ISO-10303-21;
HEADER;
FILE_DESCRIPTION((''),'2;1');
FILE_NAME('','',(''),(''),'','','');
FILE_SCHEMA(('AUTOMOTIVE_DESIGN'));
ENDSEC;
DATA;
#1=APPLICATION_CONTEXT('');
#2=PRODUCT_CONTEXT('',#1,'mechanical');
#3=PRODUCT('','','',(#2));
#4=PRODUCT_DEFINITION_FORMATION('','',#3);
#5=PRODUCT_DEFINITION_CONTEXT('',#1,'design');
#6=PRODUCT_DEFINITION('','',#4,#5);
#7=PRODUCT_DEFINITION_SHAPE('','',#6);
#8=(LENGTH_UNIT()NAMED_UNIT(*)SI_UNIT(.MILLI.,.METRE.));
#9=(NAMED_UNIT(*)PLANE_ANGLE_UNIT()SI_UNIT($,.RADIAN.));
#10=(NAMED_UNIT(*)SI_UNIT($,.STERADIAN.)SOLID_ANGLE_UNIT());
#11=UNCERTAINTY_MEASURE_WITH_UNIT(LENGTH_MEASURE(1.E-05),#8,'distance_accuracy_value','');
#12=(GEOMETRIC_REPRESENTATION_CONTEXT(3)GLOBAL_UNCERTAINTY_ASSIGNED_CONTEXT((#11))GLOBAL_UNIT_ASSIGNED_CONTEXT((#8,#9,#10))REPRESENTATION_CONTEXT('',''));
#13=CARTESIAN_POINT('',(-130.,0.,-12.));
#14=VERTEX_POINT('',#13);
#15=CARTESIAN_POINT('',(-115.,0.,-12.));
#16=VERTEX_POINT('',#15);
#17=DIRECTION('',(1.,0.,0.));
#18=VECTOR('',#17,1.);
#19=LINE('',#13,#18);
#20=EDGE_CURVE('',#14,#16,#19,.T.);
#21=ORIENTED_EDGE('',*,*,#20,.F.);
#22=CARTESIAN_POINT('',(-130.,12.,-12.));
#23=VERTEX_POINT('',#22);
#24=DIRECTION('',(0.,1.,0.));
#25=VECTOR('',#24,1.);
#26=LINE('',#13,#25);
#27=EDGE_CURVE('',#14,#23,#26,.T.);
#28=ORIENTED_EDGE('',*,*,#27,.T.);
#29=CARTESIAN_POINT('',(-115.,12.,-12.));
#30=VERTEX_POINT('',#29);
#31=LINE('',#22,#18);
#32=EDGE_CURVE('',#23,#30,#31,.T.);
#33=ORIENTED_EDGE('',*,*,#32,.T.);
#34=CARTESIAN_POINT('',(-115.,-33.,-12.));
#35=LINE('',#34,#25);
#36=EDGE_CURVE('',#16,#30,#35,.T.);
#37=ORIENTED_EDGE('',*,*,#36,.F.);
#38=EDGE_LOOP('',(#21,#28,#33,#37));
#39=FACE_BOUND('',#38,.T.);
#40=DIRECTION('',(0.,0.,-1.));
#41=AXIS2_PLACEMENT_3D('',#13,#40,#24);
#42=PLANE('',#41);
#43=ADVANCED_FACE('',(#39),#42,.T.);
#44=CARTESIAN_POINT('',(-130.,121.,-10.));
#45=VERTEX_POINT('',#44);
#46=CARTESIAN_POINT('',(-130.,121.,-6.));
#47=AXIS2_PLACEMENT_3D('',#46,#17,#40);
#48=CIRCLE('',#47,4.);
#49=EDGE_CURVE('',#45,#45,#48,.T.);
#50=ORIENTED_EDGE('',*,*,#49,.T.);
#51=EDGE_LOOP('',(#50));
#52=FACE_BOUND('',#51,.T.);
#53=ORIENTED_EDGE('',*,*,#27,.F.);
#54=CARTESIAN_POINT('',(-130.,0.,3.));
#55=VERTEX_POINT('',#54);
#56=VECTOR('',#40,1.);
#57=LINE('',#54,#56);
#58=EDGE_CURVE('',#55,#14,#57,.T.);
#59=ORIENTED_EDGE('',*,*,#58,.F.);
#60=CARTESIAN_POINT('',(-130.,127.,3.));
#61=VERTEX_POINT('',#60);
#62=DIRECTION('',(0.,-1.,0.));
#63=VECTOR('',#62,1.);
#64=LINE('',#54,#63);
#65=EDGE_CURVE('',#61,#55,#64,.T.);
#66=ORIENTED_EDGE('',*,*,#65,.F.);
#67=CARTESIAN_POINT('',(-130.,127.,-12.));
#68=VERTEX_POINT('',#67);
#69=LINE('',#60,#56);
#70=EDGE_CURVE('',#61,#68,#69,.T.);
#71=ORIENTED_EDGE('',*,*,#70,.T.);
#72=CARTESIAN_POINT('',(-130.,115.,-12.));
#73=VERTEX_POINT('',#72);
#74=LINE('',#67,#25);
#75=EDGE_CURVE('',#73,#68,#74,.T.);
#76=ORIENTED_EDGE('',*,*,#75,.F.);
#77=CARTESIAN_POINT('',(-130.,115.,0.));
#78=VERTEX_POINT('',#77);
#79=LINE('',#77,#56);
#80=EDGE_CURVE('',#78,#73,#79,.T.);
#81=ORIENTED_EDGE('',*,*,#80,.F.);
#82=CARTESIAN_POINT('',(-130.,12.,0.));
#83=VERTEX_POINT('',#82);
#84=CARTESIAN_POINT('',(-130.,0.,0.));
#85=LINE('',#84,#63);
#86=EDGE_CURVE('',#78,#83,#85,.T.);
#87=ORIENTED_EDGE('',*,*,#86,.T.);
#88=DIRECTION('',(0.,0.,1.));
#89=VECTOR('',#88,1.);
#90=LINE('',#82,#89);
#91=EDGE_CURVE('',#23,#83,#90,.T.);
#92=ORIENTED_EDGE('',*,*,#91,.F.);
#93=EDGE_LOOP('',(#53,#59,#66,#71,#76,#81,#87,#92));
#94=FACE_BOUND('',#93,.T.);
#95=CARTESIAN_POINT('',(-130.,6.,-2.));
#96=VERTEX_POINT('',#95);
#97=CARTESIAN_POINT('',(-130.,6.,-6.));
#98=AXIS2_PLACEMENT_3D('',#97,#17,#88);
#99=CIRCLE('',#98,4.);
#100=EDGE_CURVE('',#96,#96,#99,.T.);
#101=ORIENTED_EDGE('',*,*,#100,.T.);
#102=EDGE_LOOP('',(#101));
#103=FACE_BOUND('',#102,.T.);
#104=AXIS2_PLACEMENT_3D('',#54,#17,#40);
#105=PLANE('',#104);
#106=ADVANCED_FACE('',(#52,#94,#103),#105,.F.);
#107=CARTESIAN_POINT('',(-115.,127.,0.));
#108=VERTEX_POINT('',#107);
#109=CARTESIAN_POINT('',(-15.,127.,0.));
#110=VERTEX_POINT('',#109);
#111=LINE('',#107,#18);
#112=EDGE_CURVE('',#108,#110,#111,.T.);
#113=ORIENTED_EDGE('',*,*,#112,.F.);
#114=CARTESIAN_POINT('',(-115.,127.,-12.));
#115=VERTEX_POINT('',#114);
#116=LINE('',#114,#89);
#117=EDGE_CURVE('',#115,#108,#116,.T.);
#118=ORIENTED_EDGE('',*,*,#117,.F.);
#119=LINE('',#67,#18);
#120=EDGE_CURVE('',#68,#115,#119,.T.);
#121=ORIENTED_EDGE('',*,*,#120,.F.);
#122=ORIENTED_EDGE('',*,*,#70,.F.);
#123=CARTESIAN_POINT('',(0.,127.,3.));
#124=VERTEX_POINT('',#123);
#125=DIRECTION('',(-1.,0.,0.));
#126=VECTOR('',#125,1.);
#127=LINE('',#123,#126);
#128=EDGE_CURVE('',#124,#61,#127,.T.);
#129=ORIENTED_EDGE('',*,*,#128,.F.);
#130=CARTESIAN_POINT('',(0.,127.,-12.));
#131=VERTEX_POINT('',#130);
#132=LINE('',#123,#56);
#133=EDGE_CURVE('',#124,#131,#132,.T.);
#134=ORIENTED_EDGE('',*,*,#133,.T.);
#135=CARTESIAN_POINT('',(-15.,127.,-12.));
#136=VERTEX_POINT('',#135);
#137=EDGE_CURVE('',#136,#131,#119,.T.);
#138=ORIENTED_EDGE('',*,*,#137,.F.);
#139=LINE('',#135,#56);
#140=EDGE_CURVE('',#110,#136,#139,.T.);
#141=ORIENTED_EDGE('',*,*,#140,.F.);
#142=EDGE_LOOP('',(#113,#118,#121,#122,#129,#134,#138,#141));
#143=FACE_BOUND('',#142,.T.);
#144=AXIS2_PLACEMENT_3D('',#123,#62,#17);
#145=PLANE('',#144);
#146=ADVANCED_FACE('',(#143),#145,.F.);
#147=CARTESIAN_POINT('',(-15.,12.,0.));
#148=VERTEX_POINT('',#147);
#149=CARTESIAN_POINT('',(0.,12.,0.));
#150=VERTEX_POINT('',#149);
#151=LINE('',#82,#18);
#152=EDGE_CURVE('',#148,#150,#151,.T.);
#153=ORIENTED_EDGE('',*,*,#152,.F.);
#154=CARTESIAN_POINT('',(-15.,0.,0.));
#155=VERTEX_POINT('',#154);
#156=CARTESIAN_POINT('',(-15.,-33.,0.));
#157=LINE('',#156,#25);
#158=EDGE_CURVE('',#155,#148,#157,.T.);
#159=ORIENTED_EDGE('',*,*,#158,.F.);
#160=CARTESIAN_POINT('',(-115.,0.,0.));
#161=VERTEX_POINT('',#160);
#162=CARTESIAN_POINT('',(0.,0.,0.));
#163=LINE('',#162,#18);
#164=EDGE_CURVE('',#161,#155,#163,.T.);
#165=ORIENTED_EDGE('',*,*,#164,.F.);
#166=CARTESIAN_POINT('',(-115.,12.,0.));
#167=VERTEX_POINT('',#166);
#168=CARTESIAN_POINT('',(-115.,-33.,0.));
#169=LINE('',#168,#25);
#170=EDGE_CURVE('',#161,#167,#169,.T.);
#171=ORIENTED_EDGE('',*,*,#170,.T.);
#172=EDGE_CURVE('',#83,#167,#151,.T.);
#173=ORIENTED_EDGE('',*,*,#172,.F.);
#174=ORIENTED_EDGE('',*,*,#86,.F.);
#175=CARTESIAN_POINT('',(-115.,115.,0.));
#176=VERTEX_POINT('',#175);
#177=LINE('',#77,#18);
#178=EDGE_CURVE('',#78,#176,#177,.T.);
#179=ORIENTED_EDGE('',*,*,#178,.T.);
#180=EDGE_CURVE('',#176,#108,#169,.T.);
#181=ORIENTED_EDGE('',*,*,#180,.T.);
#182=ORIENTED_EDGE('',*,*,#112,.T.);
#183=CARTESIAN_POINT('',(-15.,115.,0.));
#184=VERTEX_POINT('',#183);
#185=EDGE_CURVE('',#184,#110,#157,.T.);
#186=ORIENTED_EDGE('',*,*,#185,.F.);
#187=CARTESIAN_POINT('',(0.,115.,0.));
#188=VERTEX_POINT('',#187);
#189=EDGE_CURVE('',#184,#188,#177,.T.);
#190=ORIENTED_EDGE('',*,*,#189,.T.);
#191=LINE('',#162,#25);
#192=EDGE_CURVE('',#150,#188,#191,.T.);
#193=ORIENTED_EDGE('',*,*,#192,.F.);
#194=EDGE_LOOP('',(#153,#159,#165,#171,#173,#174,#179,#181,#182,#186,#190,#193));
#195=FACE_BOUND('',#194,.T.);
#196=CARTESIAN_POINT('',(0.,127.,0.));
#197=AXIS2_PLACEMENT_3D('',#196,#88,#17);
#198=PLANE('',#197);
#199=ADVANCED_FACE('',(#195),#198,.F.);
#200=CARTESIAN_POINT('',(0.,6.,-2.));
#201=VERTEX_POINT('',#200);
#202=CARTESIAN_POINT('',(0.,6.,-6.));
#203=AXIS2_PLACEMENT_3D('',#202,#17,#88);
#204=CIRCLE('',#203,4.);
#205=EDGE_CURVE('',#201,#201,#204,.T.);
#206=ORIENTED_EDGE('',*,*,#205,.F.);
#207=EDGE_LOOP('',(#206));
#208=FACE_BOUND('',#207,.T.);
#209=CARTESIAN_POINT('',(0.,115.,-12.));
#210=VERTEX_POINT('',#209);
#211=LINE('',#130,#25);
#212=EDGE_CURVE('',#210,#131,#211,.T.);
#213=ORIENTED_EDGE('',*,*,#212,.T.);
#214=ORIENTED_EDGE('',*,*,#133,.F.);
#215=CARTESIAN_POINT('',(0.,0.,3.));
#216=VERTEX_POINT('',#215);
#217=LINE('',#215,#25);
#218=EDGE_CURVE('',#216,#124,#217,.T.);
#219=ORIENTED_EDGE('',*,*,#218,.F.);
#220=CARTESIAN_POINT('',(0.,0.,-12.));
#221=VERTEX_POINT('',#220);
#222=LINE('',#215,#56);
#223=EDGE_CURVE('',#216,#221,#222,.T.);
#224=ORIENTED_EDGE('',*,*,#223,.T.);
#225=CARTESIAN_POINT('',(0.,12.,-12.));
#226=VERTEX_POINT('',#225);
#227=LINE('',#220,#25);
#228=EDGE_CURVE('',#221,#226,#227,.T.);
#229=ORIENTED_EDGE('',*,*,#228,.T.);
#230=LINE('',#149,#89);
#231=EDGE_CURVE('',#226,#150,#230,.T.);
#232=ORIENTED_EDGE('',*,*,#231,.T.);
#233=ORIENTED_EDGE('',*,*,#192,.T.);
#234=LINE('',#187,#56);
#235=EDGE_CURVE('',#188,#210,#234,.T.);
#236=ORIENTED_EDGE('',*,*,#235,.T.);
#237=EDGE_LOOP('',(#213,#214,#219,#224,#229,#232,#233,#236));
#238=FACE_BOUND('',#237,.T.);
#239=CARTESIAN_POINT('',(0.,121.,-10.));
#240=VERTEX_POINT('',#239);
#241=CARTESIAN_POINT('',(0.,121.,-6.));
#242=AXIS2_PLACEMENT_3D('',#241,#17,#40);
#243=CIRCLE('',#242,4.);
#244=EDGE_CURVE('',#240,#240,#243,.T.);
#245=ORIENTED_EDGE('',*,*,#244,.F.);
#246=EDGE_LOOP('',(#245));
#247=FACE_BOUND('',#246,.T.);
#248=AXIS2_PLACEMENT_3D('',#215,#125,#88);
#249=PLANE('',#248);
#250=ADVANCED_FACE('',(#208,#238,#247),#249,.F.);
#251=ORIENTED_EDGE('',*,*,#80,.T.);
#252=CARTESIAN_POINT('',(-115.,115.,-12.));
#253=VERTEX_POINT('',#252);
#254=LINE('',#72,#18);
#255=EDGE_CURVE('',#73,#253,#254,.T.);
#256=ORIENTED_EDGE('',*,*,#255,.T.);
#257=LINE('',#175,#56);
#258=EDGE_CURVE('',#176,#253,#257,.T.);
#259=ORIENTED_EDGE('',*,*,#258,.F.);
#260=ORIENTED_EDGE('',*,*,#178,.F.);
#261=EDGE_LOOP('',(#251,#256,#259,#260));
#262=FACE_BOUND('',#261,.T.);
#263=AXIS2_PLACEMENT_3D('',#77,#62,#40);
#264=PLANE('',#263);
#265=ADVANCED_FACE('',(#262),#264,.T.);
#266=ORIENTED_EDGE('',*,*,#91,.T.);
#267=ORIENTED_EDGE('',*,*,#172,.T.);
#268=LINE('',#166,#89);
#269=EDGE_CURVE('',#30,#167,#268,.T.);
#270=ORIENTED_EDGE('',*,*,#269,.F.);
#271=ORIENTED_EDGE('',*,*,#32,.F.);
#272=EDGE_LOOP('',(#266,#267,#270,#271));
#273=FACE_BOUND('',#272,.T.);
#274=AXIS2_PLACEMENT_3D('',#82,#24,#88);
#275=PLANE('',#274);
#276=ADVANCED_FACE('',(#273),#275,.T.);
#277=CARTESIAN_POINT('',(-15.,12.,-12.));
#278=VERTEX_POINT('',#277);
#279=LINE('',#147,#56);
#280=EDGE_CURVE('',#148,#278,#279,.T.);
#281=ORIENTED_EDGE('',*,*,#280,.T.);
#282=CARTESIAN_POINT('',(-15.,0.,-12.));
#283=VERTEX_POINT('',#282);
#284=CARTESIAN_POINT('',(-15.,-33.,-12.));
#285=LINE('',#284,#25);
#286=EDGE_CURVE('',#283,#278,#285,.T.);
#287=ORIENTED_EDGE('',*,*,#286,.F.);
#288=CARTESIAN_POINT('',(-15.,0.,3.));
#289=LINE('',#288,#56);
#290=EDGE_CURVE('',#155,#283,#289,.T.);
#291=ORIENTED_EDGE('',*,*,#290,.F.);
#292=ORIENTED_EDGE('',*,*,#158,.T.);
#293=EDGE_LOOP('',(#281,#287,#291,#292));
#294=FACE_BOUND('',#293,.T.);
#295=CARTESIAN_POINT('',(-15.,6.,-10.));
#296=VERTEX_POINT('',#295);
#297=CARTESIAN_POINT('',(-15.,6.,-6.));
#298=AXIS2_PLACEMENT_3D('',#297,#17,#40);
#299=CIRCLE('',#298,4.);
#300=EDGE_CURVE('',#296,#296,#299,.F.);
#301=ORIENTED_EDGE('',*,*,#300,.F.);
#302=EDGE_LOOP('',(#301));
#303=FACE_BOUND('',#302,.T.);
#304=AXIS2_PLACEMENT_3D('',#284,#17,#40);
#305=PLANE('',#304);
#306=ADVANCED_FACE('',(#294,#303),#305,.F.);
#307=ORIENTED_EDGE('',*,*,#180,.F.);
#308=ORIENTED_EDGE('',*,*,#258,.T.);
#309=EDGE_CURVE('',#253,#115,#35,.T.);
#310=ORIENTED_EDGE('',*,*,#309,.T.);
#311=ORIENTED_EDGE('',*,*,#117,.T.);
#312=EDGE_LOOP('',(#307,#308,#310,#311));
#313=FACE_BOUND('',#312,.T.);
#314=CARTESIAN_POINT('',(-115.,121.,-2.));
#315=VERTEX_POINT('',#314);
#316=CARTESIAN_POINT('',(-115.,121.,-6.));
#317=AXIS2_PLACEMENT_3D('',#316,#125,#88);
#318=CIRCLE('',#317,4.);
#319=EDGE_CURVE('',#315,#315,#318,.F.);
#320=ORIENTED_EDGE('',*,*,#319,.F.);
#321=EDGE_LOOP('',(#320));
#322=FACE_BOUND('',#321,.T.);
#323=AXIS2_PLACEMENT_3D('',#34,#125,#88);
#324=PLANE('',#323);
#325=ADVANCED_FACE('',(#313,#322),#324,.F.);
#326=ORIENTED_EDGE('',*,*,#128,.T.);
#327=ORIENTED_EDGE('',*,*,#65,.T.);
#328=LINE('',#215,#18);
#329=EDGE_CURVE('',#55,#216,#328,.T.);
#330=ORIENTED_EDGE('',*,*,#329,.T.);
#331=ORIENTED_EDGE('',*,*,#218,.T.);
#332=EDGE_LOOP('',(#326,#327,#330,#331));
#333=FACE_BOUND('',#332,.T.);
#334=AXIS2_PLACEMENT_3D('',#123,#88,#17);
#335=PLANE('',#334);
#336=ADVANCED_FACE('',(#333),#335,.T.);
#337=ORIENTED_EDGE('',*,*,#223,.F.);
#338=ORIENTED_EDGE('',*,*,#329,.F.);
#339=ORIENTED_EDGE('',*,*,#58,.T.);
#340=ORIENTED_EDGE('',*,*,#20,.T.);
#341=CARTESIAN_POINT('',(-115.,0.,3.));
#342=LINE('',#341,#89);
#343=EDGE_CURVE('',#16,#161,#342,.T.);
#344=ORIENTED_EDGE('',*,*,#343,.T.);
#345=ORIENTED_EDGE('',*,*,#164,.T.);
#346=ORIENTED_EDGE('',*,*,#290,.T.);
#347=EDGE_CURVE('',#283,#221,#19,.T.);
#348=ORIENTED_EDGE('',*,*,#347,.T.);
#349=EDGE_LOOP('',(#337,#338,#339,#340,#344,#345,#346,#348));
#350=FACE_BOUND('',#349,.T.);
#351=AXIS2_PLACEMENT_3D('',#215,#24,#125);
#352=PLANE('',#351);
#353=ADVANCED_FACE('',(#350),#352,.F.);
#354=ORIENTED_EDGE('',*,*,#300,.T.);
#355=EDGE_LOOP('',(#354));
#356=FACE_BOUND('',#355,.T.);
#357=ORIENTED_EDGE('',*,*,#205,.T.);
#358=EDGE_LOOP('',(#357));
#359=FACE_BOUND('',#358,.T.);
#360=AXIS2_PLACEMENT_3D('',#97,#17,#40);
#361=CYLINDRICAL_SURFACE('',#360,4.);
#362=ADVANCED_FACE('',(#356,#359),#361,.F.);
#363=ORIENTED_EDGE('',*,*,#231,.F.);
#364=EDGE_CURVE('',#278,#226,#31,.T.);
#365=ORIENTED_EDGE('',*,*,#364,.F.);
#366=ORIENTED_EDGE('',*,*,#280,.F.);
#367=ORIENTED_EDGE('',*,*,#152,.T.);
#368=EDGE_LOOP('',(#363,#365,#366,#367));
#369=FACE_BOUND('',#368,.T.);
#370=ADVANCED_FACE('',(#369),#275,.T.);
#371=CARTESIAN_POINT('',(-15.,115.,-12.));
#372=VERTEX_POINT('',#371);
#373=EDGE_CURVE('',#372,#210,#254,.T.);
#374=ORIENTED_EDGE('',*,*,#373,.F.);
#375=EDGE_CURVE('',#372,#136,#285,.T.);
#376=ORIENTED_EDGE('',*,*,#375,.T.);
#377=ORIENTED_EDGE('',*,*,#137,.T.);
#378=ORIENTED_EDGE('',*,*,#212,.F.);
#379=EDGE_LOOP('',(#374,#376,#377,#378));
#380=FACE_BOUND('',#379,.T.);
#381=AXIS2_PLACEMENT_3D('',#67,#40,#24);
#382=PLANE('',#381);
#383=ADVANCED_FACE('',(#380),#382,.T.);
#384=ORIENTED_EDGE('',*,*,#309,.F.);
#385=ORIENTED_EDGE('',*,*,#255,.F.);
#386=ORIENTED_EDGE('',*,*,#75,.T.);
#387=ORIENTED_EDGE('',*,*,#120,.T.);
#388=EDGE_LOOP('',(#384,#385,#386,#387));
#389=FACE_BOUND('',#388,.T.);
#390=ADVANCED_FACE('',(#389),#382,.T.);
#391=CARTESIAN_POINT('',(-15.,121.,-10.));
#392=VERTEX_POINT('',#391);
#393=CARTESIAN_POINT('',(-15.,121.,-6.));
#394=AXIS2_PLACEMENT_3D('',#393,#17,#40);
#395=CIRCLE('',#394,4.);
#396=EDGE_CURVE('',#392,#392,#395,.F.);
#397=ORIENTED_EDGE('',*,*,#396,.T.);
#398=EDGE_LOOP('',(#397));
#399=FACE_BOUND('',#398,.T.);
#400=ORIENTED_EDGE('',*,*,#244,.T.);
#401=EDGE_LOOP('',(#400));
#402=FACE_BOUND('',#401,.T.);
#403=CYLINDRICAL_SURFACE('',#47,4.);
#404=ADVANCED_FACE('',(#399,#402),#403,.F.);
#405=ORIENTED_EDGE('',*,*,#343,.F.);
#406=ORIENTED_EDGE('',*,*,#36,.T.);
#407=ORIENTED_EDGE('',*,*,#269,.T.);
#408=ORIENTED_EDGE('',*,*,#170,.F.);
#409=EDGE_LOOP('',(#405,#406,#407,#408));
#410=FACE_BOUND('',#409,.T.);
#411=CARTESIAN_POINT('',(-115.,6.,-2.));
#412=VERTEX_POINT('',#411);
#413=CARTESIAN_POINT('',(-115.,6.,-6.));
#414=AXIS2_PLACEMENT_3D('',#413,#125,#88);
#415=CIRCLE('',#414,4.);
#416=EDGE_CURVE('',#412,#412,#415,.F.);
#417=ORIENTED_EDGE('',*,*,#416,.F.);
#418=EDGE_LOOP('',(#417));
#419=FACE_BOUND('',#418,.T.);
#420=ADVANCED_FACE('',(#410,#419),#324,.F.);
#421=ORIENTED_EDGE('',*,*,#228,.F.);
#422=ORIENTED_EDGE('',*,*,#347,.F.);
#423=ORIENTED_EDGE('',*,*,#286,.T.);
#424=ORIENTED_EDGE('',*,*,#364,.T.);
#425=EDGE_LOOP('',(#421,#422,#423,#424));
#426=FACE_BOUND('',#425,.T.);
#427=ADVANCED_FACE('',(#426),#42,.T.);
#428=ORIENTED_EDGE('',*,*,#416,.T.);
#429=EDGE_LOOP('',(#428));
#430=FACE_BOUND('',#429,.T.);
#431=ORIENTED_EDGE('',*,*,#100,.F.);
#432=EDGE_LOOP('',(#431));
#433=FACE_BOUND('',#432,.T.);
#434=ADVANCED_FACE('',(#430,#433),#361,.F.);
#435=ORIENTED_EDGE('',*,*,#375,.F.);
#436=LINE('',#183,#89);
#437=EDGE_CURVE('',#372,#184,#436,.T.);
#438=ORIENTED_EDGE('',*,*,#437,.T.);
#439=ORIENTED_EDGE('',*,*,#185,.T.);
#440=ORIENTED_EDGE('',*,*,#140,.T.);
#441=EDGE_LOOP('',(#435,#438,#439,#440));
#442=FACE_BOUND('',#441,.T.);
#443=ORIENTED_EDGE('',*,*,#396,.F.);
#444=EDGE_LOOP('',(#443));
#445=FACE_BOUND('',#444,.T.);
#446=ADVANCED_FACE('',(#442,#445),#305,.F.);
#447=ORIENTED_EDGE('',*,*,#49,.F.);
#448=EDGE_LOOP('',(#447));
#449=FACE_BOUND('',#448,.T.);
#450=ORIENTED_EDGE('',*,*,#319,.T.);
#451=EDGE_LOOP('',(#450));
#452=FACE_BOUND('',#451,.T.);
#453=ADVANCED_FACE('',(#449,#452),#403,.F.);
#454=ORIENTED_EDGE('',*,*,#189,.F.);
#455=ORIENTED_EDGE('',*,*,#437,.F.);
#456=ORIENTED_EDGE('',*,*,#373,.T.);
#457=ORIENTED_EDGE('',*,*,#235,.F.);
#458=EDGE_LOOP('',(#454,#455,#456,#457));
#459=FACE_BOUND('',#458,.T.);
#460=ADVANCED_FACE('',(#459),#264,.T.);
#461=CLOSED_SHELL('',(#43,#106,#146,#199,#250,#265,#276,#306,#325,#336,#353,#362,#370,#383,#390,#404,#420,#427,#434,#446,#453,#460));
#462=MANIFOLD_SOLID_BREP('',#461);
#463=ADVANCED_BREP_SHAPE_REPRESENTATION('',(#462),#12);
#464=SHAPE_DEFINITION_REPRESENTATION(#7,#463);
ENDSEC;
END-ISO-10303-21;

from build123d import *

# Parameters (mm, degrees)
ESQUISSE1_W             = 130
ESQUISSE1_H             = 127
BOSS_EXTRU_1_DEPTH      = 3
ESQUISSE2_W             = 12
ESQUISSE2_H             = 12
ESQUISSE2_R             = 4
BOSS_EXTRU_2_DEPTH      = 130
ESQUISSE3_W             = 100
ESQUISSE3_H             = 12
ENL_V_MAT_EXTRU_1_DEPTH = 160


with BuildPart() as part:
    # Esquisse1 → Boss.-Extru.1 (new body)
    with BuildSketch(Plane.XY):
        with Locations((-65, 63.5)):
            Rectangle(ESQUISSE1_W, ESQUISSE1_H)
    extrude(amount=BOSS_EXTRU_1_DEPTH)

    # Esquisse2 → Boss.-Extru.2 (add)
    with BuildSketch(Plane(origin=(0, 0, 0), x_dir=(0, 0, -1), z_dir=(1, 0, 0))):
        with Locations((6, 6)):
            Rectangle(ESQUISSE2_W, ESQUISSE2_H)
        with Locations((6, 6)):
            Circle(ESQUISSE2_R, mode=Mode.SUBTRACT)
        with Locations((6, 121)):
            Rectangle(ESQUISSE2_W, ESQUISSE2_H)
        with Locations((6, 121)):
            Circle(ESQUISSE2_R, mode=Mode.SUBTRACT)
    extrude(amount=-BOSS_EXTRU_2_DEPTH)

    # Esquisse3 → Enlèv. mat.-Extru.1 (cut)
    with BuildSketch(Plane(origin=(0, 127, 0), x_dir=(1, 0, 0), z_dir=(0, 1, 0))):
        with Locations((-65, 6)):
            Rectangle(ESQUISSE3_W, ESQUISSE3_H)
    extrude(amount=-ENL_V_MAT_EXTRU_1_DEPTH, mode=Mode.SUBTRACT)


solid = part.part
